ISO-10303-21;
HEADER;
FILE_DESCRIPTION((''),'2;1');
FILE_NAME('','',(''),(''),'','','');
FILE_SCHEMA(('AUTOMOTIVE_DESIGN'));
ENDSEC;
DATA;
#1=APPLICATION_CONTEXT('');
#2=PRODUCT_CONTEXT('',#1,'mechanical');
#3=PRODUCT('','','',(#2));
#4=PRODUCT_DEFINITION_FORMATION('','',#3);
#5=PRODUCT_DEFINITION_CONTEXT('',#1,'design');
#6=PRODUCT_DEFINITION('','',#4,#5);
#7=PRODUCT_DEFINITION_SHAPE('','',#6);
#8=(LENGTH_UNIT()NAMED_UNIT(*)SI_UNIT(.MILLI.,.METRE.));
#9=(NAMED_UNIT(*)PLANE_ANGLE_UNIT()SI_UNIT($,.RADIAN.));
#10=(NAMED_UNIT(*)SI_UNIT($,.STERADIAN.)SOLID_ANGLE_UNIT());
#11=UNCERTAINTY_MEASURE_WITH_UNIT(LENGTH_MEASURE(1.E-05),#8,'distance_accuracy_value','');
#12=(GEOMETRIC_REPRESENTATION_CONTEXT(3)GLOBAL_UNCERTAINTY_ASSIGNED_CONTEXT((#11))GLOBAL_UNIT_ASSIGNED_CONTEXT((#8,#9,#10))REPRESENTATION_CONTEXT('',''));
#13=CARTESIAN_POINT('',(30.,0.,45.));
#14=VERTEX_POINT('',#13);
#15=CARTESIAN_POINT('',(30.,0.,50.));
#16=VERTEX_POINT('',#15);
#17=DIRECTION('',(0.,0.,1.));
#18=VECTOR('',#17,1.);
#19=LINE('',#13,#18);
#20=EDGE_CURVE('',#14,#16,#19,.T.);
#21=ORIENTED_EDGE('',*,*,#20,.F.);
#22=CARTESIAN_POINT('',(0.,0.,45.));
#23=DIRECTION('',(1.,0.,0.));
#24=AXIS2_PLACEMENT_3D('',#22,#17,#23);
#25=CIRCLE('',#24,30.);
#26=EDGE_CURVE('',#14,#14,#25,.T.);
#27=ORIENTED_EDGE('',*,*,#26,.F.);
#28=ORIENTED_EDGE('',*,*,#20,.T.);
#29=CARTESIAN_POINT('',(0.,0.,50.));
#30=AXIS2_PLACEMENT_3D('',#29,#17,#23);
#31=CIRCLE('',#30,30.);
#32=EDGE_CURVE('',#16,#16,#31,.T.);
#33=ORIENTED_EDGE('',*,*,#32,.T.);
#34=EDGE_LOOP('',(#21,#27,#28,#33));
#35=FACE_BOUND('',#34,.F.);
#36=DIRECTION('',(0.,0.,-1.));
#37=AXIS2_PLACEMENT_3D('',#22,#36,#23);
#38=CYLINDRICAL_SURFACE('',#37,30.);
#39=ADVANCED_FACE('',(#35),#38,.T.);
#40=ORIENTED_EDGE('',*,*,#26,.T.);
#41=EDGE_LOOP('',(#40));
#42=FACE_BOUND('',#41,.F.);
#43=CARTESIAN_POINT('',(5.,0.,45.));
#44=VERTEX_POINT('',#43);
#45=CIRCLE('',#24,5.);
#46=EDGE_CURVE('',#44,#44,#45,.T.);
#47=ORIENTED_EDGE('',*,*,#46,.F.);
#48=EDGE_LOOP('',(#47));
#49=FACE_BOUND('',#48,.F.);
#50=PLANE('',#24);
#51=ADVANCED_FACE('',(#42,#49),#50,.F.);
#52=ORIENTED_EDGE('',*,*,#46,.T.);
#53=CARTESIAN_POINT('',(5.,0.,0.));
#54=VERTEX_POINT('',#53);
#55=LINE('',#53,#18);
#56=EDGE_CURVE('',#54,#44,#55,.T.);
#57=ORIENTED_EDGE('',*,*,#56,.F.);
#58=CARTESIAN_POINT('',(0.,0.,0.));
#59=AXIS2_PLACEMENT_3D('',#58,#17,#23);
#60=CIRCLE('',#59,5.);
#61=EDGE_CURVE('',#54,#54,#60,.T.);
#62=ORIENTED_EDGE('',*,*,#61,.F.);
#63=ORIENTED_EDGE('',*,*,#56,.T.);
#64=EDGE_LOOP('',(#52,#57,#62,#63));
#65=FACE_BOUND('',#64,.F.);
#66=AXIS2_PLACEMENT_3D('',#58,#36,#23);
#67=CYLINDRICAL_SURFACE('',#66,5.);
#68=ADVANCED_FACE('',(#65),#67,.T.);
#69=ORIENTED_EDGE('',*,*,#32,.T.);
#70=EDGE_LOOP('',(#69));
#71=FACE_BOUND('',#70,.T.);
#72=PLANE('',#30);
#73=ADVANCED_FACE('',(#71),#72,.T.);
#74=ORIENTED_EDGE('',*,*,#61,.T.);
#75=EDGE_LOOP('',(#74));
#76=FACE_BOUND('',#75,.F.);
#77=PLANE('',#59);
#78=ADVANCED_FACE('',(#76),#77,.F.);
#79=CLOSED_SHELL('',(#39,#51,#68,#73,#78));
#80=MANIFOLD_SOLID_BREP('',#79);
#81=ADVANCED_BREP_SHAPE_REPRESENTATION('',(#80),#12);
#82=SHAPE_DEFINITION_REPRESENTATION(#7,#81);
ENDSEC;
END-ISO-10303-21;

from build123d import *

# Parameters (mm, degrees)
SKETCH_R     = 5
PAD_DEPTH    = 45
SKETCH001_R  = 30
PAD001_DEPTH = 5


with BuildPart() as part:
    # Sketch → Pad (new body)
    with BuildSketch(Plane.XY):
        Circle(SKETCH_R)
    extrude(amount=PAD_DEPTH)

    # Sketch001 (on Face3 of Pad) → Pad001 (join)
    with BuildSketch(Plane.XY.offset(45)):
        Circle(SKETCH001_R)
    extrude(amount=PAD001_DEPTH)


solid = part.part
